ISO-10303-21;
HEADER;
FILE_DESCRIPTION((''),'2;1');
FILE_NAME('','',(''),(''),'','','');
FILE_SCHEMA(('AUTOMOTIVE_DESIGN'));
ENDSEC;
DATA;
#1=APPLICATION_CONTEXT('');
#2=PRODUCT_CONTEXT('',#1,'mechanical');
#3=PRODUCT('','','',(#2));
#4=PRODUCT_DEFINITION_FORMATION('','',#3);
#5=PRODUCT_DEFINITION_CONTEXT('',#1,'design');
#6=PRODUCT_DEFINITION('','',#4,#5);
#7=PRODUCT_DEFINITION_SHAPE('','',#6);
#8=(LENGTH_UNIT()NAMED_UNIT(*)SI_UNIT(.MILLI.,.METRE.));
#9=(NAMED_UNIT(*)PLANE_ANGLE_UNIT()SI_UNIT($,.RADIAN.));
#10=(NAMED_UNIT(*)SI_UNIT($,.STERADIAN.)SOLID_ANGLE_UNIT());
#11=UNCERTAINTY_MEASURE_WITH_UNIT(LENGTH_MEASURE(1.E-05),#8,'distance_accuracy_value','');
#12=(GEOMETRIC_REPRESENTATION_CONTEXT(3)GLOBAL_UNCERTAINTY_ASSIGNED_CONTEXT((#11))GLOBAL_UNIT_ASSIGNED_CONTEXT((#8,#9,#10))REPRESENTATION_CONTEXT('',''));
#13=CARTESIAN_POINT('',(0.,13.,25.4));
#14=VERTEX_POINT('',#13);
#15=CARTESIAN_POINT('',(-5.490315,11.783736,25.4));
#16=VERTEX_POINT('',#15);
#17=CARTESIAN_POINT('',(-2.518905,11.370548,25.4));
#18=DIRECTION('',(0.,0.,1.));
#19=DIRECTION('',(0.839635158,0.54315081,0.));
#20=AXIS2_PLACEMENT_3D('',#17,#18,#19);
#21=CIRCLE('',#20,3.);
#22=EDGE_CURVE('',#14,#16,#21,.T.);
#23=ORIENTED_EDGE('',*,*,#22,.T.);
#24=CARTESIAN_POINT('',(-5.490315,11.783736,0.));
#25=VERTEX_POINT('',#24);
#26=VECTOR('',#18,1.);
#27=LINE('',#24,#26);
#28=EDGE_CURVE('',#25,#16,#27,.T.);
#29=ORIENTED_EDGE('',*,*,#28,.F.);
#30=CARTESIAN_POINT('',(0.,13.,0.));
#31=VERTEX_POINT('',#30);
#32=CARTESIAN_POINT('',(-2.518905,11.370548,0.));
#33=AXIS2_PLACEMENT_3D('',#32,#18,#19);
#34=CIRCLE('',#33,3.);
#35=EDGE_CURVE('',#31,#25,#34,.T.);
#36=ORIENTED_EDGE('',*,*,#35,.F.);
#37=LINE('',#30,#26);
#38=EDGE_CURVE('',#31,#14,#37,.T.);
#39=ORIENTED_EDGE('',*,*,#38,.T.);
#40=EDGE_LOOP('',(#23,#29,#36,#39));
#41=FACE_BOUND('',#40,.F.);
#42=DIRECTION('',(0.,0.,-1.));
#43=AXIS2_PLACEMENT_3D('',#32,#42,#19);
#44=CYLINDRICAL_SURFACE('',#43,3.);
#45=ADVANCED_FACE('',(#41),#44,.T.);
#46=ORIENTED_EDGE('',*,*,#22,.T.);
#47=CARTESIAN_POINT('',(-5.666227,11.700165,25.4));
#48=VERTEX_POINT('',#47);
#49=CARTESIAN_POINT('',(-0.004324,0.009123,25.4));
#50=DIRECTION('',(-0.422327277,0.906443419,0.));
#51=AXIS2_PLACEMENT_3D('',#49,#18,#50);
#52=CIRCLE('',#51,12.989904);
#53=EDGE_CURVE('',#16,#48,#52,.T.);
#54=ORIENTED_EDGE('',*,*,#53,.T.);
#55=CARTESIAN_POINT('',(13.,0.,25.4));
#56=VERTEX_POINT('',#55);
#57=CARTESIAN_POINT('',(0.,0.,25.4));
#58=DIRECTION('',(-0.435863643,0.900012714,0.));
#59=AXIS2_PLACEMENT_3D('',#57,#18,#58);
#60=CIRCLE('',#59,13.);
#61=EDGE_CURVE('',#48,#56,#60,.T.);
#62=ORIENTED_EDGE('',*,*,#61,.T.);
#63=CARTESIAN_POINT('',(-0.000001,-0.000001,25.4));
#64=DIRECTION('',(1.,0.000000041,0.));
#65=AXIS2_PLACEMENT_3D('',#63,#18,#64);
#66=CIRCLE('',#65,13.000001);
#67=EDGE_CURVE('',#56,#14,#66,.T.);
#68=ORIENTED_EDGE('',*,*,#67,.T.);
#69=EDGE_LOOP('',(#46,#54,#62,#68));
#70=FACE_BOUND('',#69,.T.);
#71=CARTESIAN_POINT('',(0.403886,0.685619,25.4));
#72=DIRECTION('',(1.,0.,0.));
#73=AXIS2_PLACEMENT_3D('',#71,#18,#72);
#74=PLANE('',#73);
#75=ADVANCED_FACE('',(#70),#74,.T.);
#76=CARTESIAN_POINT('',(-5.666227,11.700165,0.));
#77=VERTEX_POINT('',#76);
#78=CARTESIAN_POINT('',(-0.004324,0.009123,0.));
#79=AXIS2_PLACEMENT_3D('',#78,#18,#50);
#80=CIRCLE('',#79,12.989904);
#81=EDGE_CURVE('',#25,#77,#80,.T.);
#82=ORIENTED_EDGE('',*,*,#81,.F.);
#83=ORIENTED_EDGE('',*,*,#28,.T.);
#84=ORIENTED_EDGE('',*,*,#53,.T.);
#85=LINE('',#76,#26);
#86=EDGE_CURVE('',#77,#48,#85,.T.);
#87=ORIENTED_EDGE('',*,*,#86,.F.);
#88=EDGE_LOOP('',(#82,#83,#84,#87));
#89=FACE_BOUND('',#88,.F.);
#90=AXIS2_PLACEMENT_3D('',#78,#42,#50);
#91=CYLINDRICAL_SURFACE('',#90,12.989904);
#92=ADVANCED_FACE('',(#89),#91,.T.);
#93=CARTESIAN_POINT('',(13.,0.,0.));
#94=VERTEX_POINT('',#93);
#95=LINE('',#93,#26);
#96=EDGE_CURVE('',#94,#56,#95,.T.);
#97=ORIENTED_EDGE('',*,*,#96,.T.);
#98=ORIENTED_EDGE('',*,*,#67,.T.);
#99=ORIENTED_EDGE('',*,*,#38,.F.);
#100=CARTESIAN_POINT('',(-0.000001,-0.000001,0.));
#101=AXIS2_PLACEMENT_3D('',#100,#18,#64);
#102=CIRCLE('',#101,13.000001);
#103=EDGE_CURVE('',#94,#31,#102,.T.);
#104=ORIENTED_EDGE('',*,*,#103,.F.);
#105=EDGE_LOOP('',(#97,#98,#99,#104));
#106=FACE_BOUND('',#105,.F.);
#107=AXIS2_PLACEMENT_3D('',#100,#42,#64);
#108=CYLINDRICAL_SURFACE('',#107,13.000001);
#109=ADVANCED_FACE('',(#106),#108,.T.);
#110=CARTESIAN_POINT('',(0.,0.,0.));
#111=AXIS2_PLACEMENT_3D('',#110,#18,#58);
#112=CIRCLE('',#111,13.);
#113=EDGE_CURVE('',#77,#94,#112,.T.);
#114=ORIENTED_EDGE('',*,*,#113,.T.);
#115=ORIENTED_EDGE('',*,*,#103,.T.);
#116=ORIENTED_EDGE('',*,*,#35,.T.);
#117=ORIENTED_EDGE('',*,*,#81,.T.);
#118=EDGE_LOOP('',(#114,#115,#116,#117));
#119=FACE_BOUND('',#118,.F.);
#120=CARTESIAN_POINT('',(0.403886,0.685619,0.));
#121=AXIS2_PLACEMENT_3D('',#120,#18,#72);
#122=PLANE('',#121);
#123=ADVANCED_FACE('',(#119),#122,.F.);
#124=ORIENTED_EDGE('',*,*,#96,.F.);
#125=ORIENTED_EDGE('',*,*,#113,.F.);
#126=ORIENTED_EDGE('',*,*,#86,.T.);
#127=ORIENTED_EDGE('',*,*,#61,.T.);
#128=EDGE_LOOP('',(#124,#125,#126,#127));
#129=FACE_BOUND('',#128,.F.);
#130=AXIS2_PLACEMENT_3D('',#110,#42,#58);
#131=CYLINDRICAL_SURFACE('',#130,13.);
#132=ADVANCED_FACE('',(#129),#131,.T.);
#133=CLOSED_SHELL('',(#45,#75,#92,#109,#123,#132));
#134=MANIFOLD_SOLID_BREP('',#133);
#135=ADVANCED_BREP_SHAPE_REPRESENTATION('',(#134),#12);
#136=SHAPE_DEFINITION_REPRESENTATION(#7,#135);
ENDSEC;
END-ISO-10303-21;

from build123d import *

# Parameters (mm, degrees)
F1_DEPTH = 25.4


with BuildPart() as f1:
    # F0 (on Top) → F1 (new body)
    with BuildSketch(Plane.XY):
        with BuildLine():
            ThreePointArc((-5.666227, 11.700165), (-6.904312, -11.015011), (13, 0))
            ThreePointArc((13, 0), (9.192388, 9.192388), (0, 13))
            ThreePointArc((0, 13), (-2.81171, 12.692292), (-5.490315, 11.783736))
            ThreePointArc((-5.490315, 11.783736), (-5.578428, 11.74228), (-5.666227, 11.700165))
        make_face()
        with BuildLine():
            ThreePointArc((-5.490315, 11.783736), (-2.81171, 12.692292), (0, 13))
            ThreePointArc((0, 13), (-3.167762, 14.299538), (-5.490315, 11.783736))
        make_face()
    extrude(amount=F1_DEPTH)


solid = f1.part
